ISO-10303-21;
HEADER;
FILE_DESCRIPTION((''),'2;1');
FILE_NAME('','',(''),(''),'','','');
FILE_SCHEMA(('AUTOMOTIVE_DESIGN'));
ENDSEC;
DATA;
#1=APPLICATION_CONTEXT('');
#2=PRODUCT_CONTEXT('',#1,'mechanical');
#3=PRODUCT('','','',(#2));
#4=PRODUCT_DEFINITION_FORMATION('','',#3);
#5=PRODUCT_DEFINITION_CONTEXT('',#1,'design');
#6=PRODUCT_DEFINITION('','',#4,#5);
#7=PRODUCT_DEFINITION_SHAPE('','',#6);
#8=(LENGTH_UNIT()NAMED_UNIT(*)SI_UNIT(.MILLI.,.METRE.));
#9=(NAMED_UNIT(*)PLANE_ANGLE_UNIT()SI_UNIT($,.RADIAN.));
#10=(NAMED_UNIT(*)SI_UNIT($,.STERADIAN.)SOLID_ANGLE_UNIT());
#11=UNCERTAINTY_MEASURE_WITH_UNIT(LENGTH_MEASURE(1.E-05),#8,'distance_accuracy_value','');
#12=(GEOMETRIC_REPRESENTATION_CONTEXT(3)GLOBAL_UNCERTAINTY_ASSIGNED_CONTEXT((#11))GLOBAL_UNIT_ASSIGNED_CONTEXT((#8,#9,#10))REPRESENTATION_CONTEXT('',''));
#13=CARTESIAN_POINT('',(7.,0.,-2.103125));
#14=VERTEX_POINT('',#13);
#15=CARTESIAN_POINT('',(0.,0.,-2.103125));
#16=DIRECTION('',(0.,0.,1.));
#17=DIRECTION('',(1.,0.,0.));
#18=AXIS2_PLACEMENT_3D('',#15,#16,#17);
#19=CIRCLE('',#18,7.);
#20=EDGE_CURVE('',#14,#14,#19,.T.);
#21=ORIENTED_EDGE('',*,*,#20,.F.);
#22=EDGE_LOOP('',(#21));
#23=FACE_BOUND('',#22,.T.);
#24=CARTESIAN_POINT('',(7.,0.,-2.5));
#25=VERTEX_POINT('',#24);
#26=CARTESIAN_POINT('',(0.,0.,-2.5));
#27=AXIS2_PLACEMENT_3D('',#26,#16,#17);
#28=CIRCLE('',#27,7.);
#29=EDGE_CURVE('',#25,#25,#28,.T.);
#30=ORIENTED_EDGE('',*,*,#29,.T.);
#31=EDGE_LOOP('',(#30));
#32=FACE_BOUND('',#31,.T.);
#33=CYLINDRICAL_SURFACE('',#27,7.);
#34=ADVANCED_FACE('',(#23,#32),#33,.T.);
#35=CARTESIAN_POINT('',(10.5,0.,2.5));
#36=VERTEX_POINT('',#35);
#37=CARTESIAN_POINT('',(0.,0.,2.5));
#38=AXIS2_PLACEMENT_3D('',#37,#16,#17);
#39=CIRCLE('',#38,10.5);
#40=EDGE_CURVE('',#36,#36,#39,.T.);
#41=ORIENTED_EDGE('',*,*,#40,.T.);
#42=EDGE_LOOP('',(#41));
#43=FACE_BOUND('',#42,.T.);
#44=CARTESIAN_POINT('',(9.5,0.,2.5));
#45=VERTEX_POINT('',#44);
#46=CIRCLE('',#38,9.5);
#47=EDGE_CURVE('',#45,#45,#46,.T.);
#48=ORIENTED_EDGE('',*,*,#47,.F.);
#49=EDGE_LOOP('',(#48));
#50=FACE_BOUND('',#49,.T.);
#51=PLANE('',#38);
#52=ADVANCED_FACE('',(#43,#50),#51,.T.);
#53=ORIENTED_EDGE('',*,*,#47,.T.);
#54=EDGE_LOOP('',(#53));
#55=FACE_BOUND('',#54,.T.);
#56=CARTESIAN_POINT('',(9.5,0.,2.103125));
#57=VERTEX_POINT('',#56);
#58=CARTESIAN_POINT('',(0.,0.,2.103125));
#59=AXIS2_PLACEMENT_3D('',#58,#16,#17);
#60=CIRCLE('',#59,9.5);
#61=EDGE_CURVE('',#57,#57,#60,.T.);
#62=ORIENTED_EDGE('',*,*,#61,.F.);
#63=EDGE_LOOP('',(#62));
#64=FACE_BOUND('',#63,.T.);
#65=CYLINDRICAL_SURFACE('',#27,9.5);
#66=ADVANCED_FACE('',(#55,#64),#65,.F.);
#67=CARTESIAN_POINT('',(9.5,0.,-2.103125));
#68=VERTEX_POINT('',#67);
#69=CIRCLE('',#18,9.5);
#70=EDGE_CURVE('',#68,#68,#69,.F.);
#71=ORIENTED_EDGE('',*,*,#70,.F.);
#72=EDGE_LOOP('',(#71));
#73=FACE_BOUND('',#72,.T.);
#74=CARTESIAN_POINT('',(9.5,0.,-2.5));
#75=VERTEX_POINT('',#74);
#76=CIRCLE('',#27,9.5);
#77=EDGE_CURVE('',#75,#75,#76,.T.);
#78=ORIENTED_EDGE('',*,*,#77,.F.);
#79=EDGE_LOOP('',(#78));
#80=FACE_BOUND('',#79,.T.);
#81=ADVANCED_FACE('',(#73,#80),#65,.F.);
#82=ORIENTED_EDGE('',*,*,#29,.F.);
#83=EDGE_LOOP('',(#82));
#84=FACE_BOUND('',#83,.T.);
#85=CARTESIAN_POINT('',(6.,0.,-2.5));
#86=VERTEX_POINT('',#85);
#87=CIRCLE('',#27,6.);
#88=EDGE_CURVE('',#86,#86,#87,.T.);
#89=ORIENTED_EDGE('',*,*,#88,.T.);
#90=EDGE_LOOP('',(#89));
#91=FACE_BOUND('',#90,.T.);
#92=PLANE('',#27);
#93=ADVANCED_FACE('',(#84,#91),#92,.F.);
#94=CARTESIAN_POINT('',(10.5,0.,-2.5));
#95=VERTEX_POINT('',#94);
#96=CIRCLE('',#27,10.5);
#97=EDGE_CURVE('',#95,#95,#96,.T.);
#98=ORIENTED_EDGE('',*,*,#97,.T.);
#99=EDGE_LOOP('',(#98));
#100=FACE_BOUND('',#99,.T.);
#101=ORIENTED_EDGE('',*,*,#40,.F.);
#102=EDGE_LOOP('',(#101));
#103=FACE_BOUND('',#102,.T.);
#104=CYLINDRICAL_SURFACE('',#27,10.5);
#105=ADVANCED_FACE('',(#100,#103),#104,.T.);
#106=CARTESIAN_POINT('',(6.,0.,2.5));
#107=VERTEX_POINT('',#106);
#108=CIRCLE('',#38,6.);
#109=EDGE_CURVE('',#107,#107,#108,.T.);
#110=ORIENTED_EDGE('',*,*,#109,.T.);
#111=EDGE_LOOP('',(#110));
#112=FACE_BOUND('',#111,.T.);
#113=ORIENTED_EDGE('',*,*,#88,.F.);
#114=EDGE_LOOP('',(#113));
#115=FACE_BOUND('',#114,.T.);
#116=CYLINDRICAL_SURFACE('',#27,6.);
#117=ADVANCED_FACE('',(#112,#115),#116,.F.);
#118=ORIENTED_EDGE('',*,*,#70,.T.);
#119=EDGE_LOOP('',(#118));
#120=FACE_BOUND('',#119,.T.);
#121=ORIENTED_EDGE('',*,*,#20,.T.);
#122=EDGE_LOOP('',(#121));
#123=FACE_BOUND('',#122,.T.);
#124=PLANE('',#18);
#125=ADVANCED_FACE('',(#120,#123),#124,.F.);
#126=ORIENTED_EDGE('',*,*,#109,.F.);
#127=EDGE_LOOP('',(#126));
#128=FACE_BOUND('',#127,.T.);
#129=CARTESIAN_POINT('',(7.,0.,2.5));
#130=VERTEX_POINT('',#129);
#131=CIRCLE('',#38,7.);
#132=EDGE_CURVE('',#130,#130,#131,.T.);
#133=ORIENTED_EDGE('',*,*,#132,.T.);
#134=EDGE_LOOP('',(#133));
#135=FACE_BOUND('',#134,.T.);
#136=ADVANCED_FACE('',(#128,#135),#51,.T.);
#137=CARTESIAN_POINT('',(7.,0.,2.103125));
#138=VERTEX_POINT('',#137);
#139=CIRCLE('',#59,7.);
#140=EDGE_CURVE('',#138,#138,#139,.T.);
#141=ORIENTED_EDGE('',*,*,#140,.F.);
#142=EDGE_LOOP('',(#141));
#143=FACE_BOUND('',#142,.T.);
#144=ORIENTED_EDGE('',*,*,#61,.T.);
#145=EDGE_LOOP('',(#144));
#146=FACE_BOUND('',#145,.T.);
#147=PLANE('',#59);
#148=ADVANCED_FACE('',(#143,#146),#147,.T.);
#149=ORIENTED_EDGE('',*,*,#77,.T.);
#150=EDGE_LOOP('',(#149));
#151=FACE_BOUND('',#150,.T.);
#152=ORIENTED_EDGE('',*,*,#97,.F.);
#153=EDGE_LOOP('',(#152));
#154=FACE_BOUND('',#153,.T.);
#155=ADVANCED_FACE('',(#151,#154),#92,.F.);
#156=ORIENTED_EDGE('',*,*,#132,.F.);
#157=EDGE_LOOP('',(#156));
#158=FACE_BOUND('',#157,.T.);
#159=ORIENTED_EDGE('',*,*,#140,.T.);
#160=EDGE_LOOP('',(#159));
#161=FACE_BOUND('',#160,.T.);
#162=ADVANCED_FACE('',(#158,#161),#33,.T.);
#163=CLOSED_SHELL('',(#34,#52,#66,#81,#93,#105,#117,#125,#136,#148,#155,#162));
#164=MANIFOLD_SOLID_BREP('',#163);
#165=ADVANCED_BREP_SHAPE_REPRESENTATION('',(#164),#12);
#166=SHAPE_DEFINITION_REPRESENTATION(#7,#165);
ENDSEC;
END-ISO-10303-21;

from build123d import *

# Parameters (mm, degrees)
BOSS_EXTRUDE1_DEPTH        = 2.5
BOSS_EXTRUDE1_DEPTH_BACK   = 2.5
SKETCH1_R                  = 7
SKETCH1_R_2                = 5.999999938
BOSS_EXTRUDE1_2_DEPTH      = 2.5
BOSS_EXTRUDE1_2_DEPTH_BACK = 2.5
SKETCH1_R_3                = 10.499999955
SKETCH1_R_4                = 9.5
BOSS_EXTRUDE2_DEPTH        = 2.10312508
BOSS_EXTRUDE2_DEPTH_BACK   = 2.10312508
SKETCH1_3_R                = 9.5
SKETCH1_3_R_2              = 7


with BuildPart() as part:
    # Sketch1 → Boss-Extrude1 (new, two sides: drawn at the far end of the back side and taken through both)
    with BuildSketch(Plane.XY.offset(-BOSS_EXTRUDE1_DEPTH_BACK)):
        Circle(SKETCH1_R)
        Circle(SKETCH1_R_2, mode=Mode.SUBTRACT)
    extrude(amount=BOSS_EXTRUDE1_DEPTH + BOSS_EXTRUDE1_DEPTH_BACK)



with BuildPart() as body_2:
    # Sketch1 → Boss-Extrude1 2 (new, two sides: drawn at the far end of the back side and taken through both)
    with BuildSketch(Plane.XY.offset(-BOSS_EXTRUDE1_2_DEPTH_BACK)):
        Circle(SKETCH1_R_3)
        Circle(SKETCH1_R_4, mode=Mode.SUBTRACT)
    extrude(amount=BOSS_EXTRUDE1_2_DEPTH + BOSS_EXTRUDE1_2_DEPTH_BACK)


with BuildPart() as part_1:
    add(part.part)

    add(body_2.part)  # Boss-Extrude2 merges body 2
    # Sketch1<3> → Boss-Extrude2 (add, two sides: drawn at the far end of the back side and taken through both)
    with BuildSketch(Plane.XY.offset(-BOSS_EXTRUDE2_DEPTH_BACK)):
        Circle(SKETCH1_3_R)
        Circle(SKETCH1_3_R_2, mode=Mode.SUBTRACT)
    extrude(amount=BOSS_EXTRUDE2_DEPTH + BOSS_EXTRUDE2_DEPTH_BACK)


solid = part_1.part
